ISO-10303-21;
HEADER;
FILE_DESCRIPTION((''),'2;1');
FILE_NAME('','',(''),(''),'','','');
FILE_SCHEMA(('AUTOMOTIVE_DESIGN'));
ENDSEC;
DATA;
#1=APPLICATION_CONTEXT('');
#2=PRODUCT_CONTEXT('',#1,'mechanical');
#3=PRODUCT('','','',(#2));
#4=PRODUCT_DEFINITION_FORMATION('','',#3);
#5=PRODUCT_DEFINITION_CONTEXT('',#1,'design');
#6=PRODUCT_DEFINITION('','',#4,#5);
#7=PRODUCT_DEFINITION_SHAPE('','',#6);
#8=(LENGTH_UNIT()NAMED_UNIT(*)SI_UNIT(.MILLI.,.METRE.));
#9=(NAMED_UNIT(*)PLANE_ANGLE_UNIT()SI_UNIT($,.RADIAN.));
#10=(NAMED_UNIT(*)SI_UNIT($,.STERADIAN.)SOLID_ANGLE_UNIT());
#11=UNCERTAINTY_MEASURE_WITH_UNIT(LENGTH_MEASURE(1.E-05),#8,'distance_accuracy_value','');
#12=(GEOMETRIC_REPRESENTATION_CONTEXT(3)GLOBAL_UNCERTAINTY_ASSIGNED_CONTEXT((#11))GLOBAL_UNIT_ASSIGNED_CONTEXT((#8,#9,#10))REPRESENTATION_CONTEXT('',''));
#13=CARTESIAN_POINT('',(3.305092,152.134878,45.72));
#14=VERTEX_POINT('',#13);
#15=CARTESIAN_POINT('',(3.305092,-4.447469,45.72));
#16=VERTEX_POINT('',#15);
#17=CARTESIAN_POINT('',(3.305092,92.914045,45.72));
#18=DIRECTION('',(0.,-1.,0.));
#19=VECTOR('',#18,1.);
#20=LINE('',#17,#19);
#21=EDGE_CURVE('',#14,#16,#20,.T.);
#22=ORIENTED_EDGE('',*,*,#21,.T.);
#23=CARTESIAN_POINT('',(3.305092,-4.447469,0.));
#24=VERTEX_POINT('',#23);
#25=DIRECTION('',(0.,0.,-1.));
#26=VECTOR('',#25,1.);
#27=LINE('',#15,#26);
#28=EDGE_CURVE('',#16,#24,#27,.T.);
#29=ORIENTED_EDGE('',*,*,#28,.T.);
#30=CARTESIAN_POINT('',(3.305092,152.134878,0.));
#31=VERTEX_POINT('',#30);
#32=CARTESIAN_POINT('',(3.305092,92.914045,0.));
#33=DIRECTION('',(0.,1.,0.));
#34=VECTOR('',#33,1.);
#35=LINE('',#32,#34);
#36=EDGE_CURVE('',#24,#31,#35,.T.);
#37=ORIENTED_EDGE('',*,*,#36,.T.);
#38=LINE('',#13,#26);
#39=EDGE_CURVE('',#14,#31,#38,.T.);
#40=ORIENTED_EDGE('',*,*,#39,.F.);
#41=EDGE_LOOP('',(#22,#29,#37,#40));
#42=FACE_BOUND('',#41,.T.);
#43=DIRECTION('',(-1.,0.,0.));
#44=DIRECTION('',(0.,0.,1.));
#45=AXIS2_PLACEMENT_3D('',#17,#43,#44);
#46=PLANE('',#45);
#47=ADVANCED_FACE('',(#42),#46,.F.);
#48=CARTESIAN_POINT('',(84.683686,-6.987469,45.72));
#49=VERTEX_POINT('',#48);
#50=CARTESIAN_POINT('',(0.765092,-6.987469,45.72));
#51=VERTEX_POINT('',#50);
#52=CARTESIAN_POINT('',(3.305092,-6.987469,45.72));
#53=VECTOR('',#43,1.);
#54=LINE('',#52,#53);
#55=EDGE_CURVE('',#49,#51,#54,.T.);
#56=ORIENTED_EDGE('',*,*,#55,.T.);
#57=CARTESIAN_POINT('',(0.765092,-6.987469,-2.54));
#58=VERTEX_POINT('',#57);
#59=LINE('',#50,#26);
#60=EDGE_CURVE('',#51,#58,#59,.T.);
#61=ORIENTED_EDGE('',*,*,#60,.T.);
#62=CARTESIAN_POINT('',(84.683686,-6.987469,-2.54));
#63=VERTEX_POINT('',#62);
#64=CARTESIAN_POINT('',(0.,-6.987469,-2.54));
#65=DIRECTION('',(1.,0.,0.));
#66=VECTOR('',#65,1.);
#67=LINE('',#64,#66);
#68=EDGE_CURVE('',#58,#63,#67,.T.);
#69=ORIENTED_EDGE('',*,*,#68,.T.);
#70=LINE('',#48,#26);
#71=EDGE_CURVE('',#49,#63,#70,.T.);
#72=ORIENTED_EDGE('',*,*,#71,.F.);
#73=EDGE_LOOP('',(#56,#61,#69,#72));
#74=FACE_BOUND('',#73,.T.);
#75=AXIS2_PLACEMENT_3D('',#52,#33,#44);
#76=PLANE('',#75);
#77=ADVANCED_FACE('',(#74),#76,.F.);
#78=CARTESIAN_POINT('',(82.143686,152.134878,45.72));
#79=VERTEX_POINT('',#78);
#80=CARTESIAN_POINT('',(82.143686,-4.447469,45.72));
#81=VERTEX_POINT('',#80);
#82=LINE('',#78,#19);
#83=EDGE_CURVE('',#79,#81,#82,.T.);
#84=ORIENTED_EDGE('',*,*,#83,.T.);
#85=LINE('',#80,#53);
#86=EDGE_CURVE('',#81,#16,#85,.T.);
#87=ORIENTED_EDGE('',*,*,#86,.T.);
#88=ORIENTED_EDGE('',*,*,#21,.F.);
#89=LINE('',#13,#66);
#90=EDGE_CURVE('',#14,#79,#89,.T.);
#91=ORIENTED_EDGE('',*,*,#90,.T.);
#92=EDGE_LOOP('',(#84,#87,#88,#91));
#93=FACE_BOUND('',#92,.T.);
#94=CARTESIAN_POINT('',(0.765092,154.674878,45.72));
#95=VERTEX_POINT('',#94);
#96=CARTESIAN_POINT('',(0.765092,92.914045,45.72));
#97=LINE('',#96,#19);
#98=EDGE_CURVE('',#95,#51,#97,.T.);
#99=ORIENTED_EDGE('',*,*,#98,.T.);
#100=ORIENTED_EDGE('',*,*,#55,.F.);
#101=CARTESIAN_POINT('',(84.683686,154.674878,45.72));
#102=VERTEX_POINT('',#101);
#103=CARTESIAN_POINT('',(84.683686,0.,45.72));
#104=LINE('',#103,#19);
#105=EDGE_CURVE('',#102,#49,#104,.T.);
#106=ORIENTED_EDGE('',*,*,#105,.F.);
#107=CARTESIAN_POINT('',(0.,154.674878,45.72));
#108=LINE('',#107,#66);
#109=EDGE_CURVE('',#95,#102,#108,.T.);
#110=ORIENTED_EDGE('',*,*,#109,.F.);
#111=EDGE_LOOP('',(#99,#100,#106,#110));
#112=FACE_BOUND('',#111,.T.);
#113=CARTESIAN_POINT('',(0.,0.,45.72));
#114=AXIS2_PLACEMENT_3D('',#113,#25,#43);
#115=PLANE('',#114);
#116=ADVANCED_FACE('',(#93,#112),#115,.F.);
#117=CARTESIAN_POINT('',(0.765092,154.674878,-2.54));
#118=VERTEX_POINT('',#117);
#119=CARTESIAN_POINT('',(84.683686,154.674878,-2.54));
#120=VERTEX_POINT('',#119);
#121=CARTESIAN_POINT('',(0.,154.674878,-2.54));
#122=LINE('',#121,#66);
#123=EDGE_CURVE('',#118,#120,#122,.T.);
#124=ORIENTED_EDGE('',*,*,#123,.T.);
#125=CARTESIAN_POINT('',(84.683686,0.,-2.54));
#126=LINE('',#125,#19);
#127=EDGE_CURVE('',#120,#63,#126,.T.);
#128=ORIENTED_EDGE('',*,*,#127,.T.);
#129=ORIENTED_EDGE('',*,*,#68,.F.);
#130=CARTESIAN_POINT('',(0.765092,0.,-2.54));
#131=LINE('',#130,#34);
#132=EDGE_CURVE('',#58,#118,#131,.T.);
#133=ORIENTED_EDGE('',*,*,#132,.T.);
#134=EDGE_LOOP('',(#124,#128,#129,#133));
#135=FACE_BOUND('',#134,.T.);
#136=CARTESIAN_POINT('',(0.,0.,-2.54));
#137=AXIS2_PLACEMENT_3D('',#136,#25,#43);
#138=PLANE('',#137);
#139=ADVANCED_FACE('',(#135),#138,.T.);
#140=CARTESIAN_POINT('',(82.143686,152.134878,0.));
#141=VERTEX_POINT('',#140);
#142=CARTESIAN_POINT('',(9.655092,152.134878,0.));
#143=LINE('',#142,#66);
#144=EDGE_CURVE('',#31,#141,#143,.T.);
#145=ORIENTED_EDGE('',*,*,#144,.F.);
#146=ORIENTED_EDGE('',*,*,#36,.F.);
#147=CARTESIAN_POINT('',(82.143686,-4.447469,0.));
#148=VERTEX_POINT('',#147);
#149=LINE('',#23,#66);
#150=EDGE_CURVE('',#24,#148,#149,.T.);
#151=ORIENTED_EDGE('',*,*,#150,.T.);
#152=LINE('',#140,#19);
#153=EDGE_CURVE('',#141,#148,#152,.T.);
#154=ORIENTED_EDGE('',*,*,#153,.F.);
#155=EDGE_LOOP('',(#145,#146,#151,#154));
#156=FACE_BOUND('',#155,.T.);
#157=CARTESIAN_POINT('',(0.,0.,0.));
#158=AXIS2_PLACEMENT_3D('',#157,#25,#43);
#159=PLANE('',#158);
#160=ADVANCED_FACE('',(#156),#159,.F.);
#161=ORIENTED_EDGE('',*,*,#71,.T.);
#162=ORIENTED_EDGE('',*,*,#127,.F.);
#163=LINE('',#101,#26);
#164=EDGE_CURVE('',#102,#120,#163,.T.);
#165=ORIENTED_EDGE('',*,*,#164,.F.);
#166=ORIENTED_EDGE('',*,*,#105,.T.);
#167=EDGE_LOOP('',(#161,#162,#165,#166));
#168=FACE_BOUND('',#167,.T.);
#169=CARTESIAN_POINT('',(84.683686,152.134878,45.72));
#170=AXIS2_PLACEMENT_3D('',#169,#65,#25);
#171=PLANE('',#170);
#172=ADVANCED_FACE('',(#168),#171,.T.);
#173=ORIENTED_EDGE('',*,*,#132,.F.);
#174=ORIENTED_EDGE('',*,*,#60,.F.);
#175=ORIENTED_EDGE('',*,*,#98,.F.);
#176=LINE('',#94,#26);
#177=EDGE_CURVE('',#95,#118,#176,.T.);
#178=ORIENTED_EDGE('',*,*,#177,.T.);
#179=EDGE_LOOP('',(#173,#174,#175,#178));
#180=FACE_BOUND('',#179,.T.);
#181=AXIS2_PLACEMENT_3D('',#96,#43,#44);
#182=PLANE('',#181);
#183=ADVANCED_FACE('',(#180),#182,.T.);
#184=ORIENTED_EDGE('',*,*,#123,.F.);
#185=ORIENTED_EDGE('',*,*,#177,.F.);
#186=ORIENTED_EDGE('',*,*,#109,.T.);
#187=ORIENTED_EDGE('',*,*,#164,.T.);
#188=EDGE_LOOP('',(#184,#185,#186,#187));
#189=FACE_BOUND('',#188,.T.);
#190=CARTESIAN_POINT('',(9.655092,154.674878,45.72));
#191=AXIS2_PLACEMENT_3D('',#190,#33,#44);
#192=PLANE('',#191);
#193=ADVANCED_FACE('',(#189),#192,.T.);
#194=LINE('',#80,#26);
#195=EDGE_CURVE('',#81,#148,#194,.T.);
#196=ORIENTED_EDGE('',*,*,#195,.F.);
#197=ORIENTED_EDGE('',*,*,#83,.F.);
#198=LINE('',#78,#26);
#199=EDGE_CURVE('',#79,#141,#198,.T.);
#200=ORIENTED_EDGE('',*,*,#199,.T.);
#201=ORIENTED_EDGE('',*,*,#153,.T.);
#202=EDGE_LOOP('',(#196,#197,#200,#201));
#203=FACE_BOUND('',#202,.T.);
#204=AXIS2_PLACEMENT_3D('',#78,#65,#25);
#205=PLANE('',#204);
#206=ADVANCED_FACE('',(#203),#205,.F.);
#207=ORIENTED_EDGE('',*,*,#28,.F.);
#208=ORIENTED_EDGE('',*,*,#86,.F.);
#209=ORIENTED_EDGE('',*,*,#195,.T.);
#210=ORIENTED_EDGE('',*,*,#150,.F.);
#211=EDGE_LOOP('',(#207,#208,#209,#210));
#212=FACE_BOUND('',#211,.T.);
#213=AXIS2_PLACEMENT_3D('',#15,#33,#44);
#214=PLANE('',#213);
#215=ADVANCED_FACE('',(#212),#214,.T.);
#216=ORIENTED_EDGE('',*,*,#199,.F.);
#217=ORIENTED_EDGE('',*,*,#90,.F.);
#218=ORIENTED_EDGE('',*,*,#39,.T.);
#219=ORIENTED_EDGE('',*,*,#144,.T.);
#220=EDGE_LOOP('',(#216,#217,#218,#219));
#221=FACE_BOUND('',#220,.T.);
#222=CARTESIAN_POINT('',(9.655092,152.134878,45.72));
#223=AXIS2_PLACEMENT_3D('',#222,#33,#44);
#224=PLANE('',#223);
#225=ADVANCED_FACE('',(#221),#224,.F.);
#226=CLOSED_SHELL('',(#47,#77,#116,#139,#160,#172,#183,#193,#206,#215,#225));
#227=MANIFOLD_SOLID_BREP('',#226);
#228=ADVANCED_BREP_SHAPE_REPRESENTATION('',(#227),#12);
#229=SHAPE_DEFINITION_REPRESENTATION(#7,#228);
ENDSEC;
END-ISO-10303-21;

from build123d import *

# Parameters (mm, degrees)
BOSS_EXTRUDE1_DEPTH = 45.72
SHELL1_T            = 2.54


with BuildPart() as part:
    # Sketch7 → Boss-Extrude1 (new body)
    with BuildSketch(Plane.XY):
        Polygon((9.655091904, 152.134877954), (82.143686264, 152.134877954), (82.143686264, -4.447468667), (14.497027414, -4.447468667), (3.305091904, -4.447468667), (3.305091904, 92.914044904), (3.305091904, 152.134877954), align=None)
    extrude(amount=BOSS_EXTRUDE1_DEPTH)

    # Shell1
    shell1_openings = [part.faces().sort_by_distance(p)[0] for p in [
        (42.724389084, 73.843704643, 45.72),
    ]]
    offset(amount=SHELL1_T, openings=shell1_openings, kind=Kind.INTERSECTION)


solid = part.part
